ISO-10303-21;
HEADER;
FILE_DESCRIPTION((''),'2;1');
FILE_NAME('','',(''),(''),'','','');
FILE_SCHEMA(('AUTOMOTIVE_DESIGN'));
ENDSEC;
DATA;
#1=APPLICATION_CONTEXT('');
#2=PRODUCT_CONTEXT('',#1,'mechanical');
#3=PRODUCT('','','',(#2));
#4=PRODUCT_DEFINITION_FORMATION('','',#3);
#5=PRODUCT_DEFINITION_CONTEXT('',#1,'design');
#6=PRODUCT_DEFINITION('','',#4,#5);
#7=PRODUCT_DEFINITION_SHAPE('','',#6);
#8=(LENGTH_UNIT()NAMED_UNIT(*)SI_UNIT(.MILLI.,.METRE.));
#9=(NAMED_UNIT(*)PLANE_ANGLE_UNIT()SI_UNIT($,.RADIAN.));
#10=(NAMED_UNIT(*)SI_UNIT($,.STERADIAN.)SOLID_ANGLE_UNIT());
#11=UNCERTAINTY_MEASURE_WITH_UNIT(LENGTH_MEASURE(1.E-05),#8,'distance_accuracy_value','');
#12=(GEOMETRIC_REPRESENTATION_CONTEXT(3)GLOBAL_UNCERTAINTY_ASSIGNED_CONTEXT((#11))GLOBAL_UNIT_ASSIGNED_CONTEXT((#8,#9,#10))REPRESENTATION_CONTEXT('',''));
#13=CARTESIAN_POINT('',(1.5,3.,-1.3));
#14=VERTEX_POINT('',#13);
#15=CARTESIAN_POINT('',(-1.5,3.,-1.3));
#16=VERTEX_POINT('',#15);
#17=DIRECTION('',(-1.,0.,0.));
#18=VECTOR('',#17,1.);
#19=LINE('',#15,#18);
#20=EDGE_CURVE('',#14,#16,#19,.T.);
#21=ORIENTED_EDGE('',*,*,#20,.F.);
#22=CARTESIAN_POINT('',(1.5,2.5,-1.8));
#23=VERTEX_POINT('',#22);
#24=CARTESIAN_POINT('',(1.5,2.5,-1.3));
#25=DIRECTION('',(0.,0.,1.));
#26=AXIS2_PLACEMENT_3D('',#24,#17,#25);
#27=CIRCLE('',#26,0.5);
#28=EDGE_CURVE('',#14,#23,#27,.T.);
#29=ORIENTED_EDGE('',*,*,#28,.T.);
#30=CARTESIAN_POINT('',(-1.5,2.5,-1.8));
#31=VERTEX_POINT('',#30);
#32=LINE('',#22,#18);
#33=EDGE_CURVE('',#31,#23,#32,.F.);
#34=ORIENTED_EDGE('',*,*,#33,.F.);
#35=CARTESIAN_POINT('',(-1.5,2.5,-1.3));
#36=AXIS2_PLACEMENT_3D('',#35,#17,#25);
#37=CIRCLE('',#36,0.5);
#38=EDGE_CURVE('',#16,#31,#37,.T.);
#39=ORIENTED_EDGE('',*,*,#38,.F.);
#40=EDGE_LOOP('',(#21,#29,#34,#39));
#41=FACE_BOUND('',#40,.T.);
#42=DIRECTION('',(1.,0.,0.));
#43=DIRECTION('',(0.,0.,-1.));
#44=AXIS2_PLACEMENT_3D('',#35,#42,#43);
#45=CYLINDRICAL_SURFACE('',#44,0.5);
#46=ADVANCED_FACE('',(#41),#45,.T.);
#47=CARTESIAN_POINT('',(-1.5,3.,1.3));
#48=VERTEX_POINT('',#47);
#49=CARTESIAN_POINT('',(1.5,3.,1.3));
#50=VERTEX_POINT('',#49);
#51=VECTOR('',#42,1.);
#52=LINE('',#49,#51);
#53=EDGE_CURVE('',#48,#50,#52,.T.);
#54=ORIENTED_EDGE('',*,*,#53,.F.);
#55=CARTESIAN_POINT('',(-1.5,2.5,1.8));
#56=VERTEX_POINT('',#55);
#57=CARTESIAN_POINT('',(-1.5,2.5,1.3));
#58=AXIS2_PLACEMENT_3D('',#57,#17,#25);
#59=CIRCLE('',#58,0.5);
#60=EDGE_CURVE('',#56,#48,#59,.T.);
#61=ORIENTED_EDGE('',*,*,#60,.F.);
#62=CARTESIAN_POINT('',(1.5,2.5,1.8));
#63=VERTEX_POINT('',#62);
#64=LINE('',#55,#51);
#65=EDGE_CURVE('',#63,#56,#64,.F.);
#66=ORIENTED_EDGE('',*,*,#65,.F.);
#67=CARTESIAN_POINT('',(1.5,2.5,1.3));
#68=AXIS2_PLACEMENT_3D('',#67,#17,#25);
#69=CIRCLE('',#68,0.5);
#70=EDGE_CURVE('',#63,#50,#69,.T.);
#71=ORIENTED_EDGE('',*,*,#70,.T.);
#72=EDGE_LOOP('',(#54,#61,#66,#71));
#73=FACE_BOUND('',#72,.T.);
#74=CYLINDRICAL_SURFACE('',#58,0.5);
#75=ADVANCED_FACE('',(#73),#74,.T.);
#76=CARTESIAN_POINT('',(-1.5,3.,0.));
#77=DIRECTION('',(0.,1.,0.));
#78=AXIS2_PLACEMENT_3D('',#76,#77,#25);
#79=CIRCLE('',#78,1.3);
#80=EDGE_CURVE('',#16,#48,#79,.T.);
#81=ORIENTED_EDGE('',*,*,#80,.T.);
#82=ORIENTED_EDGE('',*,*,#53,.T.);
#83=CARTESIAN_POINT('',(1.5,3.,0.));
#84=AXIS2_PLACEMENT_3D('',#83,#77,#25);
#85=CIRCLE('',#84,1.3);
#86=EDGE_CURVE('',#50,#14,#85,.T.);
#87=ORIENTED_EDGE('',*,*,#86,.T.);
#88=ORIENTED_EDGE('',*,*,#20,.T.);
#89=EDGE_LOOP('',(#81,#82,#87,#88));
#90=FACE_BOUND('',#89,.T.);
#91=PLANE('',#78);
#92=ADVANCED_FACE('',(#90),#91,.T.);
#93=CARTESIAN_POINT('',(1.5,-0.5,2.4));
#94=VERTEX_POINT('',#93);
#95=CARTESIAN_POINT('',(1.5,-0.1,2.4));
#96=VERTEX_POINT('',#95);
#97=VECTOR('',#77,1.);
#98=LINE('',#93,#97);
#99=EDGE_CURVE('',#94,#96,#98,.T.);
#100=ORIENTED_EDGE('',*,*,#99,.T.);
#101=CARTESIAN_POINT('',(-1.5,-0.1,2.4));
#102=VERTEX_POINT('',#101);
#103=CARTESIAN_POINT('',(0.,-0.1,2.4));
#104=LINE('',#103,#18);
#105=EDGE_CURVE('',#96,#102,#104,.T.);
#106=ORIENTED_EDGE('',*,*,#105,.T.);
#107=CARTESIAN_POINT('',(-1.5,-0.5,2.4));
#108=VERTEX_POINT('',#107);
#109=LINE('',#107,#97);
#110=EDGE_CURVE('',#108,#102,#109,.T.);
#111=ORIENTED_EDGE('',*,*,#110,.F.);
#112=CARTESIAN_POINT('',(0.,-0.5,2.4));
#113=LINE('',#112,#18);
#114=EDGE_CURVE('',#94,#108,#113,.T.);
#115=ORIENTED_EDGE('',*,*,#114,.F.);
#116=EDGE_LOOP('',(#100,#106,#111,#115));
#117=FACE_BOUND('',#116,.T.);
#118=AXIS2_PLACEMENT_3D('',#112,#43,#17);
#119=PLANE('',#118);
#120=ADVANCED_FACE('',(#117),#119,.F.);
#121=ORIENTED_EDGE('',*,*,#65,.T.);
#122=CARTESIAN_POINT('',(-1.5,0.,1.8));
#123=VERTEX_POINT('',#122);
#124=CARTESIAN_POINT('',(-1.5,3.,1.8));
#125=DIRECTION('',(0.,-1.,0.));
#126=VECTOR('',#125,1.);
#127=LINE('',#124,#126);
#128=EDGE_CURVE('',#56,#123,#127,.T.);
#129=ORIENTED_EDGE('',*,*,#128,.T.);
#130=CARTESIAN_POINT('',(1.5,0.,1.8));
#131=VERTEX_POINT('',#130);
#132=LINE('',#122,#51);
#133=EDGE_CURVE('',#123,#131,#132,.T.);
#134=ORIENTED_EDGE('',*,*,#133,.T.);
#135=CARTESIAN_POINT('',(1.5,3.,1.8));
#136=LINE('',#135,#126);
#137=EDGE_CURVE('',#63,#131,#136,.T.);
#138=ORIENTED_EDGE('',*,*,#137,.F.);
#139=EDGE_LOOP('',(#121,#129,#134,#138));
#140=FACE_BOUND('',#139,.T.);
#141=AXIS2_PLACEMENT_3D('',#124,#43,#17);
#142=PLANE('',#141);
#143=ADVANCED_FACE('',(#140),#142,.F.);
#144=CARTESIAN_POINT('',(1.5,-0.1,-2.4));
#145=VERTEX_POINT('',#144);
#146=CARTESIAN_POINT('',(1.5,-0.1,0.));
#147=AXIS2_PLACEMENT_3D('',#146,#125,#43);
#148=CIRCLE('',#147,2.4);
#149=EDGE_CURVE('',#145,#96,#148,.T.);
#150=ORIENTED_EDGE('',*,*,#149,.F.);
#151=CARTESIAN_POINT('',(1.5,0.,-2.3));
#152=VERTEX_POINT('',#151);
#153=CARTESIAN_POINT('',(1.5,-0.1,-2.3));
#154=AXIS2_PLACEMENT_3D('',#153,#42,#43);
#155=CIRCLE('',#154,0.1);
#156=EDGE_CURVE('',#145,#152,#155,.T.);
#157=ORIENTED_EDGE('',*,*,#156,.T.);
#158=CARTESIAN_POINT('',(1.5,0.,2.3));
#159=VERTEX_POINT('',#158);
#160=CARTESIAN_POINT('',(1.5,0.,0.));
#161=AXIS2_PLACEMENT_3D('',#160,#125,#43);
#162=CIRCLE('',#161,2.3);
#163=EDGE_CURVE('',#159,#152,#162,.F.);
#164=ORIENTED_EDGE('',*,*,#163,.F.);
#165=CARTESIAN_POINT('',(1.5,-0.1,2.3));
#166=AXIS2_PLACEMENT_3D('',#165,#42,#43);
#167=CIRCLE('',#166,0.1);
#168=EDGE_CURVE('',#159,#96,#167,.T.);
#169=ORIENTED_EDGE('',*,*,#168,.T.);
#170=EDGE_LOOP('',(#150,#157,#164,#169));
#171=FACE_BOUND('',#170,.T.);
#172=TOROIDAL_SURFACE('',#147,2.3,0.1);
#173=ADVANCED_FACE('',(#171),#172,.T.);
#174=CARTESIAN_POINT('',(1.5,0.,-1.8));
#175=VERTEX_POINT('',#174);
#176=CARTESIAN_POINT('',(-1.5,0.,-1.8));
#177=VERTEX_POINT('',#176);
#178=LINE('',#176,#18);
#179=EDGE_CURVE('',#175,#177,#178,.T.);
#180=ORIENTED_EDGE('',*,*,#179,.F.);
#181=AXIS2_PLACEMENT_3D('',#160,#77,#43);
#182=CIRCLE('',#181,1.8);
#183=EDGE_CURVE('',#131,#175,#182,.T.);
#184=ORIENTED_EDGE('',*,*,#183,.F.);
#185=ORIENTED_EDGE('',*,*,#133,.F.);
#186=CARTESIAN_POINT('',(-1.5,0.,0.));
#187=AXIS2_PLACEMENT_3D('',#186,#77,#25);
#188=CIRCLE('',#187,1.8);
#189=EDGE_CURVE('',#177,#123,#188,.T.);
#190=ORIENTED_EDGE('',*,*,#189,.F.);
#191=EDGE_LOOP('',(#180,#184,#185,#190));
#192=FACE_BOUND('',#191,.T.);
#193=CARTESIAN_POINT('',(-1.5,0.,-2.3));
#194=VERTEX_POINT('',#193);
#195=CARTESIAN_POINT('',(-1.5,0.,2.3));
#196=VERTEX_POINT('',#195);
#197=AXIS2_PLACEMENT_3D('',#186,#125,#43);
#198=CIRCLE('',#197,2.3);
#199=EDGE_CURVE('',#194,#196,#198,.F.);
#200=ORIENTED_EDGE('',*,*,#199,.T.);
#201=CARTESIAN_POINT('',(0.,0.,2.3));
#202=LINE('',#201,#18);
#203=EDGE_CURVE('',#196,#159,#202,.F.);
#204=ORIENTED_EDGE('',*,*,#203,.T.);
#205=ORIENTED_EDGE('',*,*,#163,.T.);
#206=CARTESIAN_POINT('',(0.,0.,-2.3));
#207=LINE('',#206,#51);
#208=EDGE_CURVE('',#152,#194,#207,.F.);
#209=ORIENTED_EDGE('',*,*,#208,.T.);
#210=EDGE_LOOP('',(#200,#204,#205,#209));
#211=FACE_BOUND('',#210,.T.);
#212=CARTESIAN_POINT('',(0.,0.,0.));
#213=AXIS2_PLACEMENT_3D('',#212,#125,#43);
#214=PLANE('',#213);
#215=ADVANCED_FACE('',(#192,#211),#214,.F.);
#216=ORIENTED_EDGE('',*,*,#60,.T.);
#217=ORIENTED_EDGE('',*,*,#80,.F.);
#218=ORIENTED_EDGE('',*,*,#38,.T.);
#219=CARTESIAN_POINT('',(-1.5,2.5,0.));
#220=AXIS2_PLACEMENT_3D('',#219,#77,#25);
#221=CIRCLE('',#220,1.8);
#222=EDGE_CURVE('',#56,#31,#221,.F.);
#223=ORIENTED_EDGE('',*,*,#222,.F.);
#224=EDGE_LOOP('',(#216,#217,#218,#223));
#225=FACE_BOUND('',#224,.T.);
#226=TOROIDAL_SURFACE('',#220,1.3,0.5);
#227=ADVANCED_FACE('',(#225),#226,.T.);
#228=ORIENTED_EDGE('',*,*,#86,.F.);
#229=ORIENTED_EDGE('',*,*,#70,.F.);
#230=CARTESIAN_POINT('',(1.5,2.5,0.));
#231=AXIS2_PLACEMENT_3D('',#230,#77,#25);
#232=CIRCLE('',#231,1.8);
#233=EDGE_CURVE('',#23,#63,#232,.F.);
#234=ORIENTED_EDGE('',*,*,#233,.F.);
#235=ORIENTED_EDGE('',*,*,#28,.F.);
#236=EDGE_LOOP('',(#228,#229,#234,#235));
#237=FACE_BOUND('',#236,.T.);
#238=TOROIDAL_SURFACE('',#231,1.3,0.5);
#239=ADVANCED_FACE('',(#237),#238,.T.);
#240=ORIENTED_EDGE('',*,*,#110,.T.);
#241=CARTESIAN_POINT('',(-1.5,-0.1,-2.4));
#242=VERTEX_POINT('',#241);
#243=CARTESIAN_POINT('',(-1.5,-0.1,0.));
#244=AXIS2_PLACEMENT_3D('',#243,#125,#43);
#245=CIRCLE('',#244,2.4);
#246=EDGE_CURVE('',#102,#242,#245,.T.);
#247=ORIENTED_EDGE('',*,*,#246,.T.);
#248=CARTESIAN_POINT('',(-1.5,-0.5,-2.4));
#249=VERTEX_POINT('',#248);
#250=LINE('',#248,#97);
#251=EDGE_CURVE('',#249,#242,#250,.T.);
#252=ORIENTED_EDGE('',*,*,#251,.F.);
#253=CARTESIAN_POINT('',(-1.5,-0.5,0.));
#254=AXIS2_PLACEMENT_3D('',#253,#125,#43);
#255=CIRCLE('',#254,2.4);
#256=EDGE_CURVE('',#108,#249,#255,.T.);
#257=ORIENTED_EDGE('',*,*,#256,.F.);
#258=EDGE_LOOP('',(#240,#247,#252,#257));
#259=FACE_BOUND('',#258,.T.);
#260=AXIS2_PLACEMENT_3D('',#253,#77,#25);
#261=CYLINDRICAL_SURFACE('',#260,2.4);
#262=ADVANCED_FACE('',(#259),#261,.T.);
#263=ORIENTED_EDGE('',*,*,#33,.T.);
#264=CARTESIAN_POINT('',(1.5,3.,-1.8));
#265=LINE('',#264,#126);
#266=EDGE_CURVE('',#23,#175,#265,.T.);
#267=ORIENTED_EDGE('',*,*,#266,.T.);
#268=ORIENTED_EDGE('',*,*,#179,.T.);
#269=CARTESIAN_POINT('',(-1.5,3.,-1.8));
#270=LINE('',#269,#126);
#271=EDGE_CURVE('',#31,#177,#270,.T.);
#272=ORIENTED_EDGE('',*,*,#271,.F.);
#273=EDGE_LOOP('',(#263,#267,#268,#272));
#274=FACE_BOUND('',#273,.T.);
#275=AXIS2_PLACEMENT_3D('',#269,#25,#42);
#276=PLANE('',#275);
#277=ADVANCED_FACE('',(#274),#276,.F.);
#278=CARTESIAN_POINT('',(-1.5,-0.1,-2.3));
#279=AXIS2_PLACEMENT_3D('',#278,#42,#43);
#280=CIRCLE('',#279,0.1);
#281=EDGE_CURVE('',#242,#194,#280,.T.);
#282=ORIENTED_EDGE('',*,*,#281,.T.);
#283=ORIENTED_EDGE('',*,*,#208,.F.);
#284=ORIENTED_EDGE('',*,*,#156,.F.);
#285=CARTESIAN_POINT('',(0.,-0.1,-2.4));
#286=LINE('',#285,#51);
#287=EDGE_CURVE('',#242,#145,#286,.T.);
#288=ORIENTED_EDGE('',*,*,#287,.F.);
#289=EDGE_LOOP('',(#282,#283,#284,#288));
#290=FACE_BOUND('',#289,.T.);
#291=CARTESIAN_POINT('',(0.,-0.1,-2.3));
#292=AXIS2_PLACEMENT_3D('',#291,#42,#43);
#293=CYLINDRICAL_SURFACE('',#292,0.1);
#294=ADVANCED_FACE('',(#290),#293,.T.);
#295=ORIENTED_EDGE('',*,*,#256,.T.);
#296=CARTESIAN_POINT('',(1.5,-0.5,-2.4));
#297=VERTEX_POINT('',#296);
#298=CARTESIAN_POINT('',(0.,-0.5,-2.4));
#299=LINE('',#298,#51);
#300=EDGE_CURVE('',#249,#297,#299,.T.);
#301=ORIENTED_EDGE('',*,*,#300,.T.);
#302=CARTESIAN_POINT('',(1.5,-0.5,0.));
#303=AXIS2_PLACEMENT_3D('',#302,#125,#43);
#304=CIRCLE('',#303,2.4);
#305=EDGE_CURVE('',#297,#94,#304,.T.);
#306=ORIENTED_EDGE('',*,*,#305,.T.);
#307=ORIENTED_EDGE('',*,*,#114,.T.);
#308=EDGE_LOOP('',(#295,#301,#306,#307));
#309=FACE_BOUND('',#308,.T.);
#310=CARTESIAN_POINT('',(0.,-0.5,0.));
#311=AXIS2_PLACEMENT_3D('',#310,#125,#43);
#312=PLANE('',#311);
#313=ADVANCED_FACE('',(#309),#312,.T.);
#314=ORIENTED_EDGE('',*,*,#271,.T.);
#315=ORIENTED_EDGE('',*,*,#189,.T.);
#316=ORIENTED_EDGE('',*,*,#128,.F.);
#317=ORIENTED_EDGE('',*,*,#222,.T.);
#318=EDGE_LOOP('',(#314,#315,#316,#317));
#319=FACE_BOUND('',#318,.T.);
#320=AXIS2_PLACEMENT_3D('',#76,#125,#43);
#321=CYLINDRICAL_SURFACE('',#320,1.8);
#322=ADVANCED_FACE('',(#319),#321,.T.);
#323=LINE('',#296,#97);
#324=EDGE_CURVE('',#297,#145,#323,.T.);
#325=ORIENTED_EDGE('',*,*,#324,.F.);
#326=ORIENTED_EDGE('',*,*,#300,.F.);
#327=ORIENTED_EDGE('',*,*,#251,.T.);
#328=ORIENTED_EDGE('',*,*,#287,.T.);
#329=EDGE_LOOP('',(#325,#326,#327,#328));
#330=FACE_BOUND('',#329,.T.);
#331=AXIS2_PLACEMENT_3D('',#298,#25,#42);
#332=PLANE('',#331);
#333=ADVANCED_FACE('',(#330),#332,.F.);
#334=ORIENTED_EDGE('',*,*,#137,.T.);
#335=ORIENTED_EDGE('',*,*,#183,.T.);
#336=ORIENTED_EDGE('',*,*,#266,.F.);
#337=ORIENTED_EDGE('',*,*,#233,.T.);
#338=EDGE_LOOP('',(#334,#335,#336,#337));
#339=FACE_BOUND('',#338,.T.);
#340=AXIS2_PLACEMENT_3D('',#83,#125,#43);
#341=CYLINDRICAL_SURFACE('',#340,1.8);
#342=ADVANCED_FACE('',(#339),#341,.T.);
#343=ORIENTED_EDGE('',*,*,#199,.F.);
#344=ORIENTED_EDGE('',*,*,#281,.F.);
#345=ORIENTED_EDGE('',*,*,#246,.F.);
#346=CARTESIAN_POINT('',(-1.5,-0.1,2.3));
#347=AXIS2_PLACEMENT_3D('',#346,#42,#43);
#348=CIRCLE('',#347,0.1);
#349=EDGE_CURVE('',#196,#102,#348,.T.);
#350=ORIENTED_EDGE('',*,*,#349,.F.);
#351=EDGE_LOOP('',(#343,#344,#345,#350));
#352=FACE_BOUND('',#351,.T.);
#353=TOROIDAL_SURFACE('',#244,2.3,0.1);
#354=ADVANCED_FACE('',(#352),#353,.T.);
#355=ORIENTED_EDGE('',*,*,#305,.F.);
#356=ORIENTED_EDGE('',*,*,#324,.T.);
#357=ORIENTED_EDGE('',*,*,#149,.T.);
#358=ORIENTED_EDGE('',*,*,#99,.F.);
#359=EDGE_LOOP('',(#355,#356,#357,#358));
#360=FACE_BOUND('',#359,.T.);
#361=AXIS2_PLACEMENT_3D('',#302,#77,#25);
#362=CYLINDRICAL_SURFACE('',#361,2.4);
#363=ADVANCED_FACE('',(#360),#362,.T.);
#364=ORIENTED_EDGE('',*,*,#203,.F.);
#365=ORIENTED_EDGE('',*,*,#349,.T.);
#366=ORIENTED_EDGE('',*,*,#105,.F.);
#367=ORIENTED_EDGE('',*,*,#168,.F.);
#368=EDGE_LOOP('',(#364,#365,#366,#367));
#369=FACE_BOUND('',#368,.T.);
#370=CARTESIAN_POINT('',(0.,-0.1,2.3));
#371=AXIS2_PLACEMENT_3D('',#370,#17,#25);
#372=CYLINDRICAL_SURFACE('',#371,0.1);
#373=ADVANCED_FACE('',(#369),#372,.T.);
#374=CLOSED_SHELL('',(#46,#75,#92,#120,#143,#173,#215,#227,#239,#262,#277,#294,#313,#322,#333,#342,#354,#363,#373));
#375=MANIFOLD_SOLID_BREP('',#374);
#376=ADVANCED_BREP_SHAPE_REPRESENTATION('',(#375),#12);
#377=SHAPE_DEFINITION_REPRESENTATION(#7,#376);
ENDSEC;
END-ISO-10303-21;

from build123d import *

# Parameters (mm, degrees)
BOSS_EXTRUDE1_DEPTH = 3
BOSS_EXTRUDE2_START = 0.5
BOSS_EXTRUDE2_DEPTH = 0.5
FILLET1_R           = 0.5
FILLET2_R           = 0.1


with BuildPart() as part:
    # Sketch1 → Boss-Extrude1 (new body)
    with BuildSketch(Plane(origin=(0, 0, 0), x_dir=(1, 0, 0), z_dir=(0, 1, 0))):
        with BuildLine():
            Line((-1.5, 1.8), (1.5, 1.8))
            ThreePointArc((1.5, 1.8), (3.3, 0), (1.5, -1.8))
            Line((1.5, -1.8), (-1.5, -1.8))
            ThreePointArc((-1.5, -1.8), (-3.3, 0), (-1.5, 1.8))
        make_face()
    extrude(amount=BOSS_EXTRUDE1_DEPTH)

    # Sketch2 → Boss-Extrude2 (add)
    # profile 1 of 2: a face of its own
    with BuildSketch(Plane.XZ.offset(BOSS_EXTRUDE2_START)):
        with BuildLine():
            Line((-1.5, -2.4), (1.5, -2.4))
            ThreePointArc((1.5, -2.4), (3.9, 0), (1.5, 2.4))
            Line((1.5, 2.4), (-1.5, 2.4))
            ThreePointArc((-1.5, 2.4), (-3.9, 0), (-1.5, -2.4))
        make_face()
        with BuildLine():
            ThreePointArc((-1.5, 1.8), (-3.3, 0), (-1.5, -1.8))
            Line((-1.5, -1.8), (1.5, -1.8))
            ThreePointArc((1.5, -1.8), (3.3, 0), (1.5, 1.8))
            Line((1.5, 1.8), (-1.5, 1.8))
        make_face(mode=Mode.SUBTRACT)
    # profile 2 of 2: a face of its own
    with BuildSketch(Plane.XZ.offset(BOSS_EXTRUDE2_START)):
        with BuildLine():
            Line((1.5, 1.8), (-1.5, 1.8))
            ThreePointArc((-1.5, 1.8), (-3.3, 0), (-1.5, -1.8))
            Line((-1.5, -1.8), (1.5, -1.8))
            ThreePointArc((1.5, -1.8), (3.3, 0), (1.5, 1.8))
        make_face()
    extrude(amount=-BOSS_EXTRUDE2_DEPTH)

    # Fillet1
    fillet1_edges = [part.edges().sort_by_distance(p)[0] for p in [
        (3.3, 3, 0),
        (0, 3, -1.8),
        (-3.3, 3, 0),
        (0, 3, 1.8),
    ]]
    fillet(fillet1_edges, radius=FILLET1_R)

    # Fillet2
    fillet2_edges = [part.edges().sort_by_distance(p)[0] for p in [
        (0, 0, -2.4),
        (3.9, 0, 0),
        (0, 0, 2.4),
        (-3.9, 0, 0),
    ]]
    fillet(fillet2_edges, radius=FILLET2_R)


solid = part.part
